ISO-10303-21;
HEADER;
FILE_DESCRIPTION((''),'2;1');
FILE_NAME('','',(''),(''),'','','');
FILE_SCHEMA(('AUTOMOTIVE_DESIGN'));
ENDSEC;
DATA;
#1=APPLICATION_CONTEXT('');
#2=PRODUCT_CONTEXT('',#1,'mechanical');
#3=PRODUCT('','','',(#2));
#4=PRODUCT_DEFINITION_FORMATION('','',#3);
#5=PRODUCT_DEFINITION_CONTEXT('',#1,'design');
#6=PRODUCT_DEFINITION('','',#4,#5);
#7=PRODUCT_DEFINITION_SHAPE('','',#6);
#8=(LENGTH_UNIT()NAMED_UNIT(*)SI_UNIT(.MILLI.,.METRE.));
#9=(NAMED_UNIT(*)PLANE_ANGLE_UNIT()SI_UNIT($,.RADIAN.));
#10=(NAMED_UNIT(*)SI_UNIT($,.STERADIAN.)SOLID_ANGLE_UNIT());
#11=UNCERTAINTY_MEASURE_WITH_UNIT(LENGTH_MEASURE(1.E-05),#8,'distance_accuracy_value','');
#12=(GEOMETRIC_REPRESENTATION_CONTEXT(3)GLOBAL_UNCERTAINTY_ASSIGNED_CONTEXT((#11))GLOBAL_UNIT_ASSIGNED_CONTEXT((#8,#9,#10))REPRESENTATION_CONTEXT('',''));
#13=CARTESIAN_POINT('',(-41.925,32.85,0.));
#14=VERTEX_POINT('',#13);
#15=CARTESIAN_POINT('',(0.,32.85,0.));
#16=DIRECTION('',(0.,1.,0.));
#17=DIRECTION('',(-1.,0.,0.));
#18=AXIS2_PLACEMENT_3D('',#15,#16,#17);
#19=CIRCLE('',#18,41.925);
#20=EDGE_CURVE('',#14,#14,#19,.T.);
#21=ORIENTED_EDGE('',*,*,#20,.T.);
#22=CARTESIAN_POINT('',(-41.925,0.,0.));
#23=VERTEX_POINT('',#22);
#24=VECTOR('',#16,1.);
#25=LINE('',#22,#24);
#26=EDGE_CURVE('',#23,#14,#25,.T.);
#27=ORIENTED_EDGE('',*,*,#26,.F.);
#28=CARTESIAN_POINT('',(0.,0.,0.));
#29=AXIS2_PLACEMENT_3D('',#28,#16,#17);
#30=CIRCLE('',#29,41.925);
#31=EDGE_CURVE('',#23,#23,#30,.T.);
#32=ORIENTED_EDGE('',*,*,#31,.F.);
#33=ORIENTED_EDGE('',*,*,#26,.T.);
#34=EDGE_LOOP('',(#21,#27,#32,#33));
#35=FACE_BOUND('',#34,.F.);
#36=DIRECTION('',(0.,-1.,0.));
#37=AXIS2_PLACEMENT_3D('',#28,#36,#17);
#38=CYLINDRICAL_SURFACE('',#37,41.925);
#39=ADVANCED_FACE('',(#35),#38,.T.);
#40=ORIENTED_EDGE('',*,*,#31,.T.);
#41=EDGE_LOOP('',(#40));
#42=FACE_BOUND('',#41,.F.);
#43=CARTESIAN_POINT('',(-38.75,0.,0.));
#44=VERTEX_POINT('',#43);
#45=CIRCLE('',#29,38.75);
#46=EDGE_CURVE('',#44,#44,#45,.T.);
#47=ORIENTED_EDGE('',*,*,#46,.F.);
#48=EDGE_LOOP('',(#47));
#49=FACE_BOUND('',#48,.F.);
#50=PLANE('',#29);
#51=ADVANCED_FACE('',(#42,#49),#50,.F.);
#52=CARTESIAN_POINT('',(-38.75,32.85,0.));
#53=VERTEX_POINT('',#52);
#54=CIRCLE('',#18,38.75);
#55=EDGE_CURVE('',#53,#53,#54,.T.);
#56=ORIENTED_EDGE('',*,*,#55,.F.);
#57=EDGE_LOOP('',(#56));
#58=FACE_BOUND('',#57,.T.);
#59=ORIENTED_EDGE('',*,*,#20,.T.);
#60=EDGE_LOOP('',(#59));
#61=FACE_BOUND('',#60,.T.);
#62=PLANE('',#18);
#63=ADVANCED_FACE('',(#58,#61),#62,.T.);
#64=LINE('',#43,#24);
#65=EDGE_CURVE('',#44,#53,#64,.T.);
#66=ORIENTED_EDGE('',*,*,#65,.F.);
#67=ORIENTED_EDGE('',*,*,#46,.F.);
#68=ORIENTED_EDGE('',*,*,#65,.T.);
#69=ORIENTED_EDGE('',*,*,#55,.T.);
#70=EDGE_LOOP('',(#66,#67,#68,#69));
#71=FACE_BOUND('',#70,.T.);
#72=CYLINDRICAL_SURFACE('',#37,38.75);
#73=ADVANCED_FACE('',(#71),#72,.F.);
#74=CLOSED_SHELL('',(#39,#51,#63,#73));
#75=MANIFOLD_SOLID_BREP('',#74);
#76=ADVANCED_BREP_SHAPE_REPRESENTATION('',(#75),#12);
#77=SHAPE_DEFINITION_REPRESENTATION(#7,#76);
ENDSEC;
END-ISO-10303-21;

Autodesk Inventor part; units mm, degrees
ref_plane "YZ Plane" through (0, 0, 0) normal (1, 0, 0) x (0, 1, 0)
ref_plane "XZ Plane" through (0, 0, 0) normal (0, 1, 0) x (-1, 0, 0)
ref_plane "XY Plane" through (0, 0, 0) normal (0, 0, 1) x (1, 0, 0)
sketch "Sketch1" plane through (0, 0, 0) normal (0, 1, 0) x (-1, 0, 0)
  circle A0 centre (0, 0) radius 38.75
  circle A1 centre (0, 0) radius 41.925
  dimension "d0" = 77.5
  dimension "d1" = 83.85
extrude "Extrusion1" add sketch "Sketch1" along normal blind 32.85
properties part number "Lower Collar r2"
